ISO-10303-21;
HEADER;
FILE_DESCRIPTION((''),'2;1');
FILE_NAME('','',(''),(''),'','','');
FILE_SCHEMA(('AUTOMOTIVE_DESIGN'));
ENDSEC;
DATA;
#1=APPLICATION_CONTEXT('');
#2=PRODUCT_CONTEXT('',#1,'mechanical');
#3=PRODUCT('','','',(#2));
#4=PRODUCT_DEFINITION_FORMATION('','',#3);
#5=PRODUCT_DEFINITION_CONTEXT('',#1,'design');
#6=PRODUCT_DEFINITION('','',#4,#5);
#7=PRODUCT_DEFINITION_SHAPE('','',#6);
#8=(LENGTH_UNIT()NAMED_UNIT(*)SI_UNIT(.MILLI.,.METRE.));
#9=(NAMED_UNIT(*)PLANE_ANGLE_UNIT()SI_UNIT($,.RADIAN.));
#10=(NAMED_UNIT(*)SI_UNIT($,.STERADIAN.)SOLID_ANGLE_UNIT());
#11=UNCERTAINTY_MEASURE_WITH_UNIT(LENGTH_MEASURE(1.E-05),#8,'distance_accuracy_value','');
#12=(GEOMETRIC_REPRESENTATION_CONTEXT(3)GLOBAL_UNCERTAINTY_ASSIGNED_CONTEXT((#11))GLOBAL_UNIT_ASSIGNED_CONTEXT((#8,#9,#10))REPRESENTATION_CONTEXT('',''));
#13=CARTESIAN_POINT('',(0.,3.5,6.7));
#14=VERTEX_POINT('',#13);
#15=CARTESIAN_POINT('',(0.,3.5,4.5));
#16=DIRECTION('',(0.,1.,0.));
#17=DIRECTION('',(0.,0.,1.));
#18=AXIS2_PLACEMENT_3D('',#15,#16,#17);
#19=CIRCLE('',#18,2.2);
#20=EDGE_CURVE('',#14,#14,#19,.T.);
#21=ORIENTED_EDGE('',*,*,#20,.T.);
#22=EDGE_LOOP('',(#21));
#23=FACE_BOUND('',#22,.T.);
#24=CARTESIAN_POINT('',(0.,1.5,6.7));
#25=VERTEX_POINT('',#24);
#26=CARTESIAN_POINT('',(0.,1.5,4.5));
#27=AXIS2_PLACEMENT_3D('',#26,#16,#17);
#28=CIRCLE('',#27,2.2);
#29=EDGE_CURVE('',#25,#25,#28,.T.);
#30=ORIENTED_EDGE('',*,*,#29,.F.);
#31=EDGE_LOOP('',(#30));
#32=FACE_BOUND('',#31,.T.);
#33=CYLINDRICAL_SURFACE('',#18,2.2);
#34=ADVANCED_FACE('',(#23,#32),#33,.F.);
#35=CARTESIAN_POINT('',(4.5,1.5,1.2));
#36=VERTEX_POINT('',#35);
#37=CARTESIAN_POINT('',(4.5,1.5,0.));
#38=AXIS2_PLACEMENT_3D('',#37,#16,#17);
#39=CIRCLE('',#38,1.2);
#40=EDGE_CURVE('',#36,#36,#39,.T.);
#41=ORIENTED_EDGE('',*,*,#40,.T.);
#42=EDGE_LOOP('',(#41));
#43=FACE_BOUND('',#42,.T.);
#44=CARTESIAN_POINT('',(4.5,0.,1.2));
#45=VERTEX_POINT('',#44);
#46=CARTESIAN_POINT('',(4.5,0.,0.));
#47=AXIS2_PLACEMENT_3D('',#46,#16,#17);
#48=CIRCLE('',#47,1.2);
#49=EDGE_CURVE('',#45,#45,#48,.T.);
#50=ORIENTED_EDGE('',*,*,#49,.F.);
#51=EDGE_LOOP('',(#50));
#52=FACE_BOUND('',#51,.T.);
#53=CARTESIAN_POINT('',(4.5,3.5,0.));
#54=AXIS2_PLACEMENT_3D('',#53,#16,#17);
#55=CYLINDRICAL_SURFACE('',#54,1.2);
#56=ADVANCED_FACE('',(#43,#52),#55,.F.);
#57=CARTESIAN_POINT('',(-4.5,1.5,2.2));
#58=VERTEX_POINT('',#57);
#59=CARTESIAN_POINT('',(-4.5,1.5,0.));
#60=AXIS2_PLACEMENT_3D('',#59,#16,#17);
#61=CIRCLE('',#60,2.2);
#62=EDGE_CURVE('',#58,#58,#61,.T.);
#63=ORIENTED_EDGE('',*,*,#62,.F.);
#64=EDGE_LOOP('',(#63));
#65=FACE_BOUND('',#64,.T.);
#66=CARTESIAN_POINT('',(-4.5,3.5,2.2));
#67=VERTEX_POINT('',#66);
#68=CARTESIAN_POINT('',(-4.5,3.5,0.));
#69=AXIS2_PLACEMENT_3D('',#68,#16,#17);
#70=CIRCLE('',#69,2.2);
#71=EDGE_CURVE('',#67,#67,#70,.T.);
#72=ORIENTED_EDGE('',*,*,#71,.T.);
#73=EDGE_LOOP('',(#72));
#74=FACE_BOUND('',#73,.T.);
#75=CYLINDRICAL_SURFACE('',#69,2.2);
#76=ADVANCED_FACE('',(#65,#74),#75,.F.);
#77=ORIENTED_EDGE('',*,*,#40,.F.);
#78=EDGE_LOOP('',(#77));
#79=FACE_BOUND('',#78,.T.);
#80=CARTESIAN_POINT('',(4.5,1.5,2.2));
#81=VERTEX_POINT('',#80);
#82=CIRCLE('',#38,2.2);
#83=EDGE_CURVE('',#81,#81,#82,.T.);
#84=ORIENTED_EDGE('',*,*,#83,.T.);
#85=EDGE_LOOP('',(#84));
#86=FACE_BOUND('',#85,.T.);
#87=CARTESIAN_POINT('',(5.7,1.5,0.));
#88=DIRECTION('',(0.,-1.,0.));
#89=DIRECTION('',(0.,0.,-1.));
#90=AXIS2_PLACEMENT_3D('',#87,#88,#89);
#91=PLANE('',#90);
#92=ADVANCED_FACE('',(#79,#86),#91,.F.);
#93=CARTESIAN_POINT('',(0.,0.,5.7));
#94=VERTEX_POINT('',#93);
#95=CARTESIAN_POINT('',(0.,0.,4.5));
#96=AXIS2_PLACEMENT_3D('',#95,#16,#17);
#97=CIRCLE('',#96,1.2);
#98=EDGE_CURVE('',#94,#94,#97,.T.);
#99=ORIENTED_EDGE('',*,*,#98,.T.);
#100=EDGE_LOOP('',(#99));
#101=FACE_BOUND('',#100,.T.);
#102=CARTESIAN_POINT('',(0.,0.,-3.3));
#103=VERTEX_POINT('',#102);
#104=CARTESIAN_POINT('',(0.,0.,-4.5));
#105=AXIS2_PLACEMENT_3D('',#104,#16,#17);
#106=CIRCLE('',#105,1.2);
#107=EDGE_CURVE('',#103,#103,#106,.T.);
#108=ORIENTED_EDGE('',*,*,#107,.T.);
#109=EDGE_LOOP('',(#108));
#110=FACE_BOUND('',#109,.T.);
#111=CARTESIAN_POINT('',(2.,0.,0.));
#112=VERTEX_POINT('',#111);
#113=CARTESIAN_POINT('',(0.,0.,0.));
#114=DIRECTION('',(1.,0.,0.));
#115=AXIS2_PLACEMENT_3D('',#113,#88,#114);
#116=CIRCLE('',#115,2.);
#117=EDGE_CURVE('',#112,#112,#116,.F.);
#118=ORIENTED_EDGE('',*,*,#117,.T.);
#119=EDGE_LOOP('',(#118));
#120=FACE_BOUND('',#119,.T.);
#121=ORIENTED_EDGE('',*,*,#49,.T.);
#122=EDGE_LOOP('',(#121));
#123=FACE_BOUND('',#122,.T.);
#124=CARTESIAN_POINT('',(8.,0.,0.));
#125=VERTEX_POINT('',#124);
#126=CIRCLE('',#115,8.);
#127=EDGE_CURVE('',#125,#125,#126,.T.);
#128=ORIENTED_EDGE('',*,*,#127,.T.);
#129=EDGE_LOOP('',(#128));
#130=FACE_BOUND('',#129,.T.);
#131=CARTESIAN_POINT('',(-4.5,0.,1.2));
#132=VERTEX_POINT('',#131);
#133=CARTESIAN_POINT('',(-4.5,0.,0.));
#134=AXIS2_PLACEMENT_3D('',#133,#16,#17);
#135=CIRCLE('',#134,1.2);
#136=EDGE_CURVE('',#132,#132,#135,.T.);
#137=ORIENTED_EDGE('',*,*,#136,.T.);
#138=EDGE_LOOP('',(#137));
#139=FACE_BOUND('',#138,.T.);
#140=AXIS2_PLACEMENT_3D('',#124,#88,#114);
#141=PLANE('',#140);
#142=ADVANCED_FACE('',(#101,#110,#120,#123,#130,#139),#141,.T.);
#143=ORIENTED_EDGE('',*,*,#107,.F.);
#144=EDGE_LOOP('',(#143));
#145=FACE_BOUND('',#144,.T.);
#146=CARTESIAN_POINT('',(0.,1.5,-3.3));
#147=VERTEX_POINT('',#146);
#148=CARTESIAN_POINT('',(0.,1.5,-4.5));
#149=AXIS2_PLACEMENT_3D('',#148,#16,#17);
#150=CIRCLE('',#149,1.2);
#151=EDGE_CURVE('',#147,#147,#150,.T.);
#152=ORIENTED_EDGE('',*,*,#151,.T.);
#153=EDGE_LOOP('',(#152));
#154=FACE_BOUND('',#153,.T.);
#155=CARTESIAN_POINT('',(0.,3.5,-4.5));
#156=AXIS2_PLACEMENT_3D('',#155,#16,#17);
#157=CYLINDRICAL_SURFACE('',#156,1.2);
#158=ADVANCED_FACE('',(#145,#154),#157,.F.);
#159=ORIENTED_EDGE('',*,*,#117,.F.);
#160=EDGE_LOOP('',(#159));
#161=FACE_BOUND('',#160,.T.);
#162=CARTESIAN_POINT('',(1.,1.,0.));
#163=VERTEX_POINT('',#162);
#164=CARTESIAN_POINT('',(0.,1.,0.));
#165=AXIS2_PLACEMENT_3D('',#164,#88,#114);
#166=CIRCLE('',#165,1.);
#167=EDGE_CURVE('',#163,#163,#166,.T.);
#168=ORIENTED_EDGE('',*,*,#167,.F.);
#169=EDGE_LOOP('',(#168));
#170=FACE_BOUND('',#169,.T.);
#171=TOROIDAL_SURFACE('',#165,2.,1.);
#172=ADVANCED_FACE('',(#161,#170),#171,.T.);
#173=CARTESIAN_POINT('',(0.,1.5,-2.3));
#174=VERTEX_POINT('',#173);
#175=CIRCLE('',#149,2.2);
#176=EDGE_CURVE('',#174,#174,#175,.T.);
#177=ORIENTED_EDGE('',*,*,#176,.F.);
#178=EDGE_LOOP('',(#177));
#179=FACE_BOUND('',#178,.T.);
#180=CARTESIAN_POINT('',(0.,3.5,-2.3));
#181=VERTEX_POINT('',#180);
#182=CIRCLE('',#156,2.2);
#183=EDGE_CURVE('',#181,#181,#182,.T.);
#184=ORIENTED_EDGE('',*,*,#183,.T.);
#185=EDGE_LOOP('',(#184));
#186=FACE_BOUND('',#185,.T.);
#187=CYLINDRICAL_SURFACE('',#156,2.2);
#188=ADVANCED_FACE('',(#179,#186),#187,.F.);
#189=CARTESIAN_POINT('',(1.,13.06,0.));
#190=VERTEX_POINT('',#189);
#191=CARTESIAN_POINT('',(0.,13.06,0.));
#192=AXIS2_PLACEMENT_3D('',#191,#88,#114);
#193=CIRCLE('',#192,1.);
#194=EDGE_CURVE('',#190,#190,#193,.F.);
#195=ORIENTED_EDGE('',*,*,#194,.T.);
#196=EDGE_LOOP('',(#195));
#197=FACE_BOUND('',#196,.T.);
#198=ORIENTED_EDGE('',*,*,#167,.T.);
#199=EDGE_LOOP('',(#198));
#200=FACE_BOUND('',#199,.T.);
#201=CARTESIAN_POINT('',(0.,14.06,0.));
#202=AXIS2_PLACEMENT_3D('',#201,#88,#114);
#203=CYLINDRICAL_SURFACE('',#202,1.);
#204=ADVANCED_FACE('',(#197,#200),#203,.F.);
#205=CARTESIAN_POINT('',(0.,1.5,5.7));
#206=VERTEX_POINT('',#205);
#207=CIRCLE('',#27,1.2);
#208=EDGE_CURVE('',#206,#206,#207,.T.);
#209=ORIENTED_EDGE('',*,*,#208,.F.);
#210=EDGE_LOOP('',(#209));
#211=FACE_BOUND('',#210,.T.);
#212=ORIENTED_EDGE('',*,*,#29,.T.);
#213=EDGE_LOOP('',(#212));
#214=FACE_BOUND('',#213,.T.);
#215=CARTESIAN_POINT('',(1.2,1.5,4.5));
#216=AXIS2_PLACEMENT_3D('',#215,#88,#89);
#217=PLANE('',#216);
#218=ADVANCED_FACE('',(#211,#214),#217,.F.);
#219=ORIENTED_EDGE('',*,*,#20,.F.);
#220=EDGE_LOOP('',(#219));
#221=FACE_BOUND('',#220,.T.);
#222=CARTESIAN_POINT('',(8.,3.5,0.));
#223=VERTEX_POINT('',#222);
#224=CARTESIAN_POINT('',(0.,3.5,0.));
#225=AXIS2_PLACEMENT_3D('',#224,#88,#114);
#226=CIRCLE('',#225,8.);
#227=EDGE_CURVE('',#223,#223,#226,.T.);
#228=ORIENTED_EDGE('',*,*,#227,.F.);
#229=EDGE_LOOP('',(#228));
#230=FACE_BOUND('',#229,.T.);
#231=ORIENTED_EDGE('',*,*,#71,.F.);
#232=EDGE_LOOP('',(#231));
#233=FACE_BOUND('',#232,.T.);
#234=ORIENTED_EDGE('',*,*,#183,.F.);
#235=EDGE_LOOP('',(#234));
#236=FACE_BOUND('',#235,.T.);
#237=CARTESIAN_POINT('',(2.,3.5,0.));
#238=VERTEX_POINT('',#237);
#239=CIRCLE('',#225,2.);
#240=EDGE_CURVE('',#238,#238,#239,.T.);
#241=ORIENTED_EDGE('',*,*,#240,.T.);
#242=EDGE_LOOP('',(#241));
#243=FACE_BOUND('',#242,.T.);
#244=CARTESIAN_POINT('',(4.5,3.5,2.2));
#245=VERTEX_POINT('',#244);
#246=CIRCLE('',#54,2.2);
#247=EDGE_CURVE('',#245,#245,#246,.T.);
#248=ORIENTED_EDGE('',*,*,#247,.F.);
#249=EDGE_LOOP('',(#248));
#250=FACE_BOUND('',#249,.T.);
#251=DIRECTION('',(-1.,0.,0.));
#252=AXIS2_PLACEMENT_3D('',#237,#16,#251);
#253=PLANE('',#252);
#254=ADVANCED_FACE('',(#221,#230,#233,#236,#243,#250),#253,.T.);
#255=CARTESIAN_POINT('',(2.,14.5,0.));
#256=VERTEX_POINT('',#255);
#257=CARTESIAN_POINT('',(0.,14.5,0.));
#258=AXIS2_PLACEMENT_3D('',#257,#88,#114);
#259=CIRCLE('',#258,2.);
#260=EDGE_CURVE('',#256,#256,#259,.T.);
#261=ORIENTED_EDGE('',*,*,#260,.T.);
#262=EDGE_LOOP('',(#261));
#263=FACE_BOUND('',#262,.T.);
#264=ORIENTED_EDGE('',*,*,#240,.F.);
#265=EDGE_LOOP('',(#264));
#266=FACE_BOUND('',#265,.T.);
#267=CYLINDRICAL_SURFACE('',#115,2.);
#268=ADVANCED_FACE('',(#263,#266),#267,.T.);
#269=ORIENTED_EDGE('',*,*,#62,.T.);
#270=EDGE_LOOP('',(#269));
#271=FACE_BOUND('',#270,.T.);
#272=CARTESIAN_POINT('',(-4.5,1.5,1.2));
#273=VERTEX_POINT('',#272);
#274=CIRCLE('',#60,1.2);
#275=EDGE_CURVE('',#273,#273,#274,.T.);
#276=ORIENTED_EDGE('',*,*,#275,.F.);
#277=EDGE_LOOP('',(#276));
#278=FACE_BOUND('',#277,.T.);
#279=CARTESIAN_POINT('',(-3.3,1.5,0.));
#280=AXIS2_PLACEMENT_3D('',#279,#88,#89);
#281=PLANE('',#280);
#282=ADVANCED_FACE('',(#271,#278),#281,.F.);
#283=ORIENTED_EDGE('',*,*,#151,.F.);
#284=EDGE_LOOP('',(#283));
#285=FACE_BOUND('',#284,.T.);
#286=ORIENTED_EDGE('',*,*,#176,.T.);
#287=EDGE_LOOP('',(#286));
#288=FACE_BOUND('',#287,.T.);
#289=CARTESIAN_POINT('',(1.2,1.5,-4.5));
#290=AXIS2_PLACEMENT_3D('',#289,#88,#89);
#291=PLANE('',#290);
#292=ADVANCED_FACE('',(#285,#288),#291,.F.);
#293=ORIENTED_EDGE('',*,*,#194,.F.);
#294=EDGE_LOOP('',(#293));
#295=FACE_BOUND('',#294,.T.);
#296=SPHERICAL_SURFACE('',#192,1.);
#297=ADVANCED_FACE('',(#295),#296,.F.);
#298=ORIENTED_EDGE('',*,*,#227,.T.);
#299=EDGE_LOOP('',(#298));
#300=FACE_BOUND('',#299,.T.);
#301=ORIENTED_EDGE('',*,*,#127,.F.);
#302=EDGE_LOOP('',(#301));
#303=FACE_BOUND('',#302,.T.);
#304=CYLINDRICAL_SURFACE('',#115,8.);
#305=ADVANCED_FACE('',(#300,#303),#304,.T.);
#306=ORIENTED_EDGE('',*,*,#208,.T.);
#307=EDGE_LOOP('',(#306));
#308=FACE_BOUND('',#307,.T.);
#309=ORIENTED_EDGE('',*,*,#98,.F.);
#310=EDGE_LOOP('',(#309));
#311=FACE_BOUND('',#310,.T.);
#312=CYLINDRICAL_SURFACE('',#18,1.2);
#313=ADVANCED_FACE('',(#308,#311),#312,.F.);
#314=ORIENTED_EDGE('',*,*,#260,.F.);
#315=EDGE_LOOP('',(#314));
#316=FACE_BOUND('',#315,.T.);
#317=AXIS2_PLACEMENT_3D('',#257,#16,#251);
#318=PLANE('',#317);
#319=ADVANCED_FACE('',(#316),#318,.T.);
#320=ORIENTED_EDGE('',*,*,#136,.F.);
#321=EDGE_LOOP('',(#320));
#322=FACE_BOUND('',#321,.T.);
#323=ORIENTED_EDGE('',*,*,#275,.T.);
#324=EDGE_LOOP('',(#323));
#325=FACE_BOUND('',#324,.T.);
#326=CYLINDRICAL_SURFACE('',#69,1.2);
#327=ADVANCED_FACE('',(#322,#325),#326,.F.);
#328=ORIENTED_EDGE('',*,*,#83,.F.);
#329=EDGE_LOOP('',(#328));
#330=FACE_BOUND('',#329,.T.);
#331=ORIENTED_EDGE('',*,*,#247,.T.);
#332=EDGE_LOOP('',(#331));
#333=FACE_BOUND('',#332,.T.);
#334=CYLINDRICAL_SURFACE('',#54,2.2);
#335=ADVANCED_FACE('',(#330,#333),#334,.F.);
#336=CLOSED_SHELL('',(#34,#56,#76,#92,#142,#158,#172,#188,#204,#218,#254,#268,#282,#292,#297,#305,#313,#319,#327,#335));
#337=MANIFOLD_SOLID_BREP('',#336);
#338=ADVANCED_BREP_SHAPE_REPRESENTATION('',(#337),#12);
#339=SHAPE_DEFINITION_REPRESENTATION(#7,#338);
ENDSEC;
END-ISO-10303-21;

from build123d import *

# Parameters (mm, degrees)
CBORE_FOR_M2_SHCS1_D           = 2.4
CBORE_FOR_M2_SHCS1_CBORE_D     = 4.4
CBORE_FOR_M2_SHCS1_CBORE_DEPTH = 2
SKETCH8_R                      = 1
CUT_EXTRUDE1_DEPTH             = 14.06
FILLET1_R                      = 1


with BuildPart() as part:
    # Sketch3 → Revolve1 (revolve)
    with BuildSketch(Plane.XY):
        Polygon((0, 0), (0, 14.5), (2, 14.5), (2, 3.5), (8, 3.5), (8, 0), align=None)
    revolve(axis=Axis((0, 0, 0), (0, 1, 0)))

    # CBORE for M2 SHCS1 (through all)
    with Locations(Plane(origin=(0, 3.5, 0), x_dir=(1, 0, 0), z_dir=(0, 1, 0))):
        with Locations((-4.5, 0), (0, 4.5), (4.5, 0), (0, -4.5)):
            CounterBoreHole(CBORE_FOR_M2_SHCS1_D / 2, CBORE_FOR_M2_SHCS1_CBORE_D / 2, CBORE_FOR_M2_SHCS1_CBORE_DEPTH)

    # Sketch8 → Cut-Extrude1 (cut)
    with BuildSketch(Plane.XZ):
        Circle(SKETCH8_R)
    extrude(amount=-CUT_EXTRUDE1_DEPTH, mode=Mode.SUBTRACT)

    # Fillet1
    fillet1_edges = [part.edges().sort_by_distance(p)[0] for p in [
        (-1, 14.06, 0),
        (-1, 0, 0),
    ]]
    fillet(fillet1_edges, radius=FILLET1_R)


solid = part.part
